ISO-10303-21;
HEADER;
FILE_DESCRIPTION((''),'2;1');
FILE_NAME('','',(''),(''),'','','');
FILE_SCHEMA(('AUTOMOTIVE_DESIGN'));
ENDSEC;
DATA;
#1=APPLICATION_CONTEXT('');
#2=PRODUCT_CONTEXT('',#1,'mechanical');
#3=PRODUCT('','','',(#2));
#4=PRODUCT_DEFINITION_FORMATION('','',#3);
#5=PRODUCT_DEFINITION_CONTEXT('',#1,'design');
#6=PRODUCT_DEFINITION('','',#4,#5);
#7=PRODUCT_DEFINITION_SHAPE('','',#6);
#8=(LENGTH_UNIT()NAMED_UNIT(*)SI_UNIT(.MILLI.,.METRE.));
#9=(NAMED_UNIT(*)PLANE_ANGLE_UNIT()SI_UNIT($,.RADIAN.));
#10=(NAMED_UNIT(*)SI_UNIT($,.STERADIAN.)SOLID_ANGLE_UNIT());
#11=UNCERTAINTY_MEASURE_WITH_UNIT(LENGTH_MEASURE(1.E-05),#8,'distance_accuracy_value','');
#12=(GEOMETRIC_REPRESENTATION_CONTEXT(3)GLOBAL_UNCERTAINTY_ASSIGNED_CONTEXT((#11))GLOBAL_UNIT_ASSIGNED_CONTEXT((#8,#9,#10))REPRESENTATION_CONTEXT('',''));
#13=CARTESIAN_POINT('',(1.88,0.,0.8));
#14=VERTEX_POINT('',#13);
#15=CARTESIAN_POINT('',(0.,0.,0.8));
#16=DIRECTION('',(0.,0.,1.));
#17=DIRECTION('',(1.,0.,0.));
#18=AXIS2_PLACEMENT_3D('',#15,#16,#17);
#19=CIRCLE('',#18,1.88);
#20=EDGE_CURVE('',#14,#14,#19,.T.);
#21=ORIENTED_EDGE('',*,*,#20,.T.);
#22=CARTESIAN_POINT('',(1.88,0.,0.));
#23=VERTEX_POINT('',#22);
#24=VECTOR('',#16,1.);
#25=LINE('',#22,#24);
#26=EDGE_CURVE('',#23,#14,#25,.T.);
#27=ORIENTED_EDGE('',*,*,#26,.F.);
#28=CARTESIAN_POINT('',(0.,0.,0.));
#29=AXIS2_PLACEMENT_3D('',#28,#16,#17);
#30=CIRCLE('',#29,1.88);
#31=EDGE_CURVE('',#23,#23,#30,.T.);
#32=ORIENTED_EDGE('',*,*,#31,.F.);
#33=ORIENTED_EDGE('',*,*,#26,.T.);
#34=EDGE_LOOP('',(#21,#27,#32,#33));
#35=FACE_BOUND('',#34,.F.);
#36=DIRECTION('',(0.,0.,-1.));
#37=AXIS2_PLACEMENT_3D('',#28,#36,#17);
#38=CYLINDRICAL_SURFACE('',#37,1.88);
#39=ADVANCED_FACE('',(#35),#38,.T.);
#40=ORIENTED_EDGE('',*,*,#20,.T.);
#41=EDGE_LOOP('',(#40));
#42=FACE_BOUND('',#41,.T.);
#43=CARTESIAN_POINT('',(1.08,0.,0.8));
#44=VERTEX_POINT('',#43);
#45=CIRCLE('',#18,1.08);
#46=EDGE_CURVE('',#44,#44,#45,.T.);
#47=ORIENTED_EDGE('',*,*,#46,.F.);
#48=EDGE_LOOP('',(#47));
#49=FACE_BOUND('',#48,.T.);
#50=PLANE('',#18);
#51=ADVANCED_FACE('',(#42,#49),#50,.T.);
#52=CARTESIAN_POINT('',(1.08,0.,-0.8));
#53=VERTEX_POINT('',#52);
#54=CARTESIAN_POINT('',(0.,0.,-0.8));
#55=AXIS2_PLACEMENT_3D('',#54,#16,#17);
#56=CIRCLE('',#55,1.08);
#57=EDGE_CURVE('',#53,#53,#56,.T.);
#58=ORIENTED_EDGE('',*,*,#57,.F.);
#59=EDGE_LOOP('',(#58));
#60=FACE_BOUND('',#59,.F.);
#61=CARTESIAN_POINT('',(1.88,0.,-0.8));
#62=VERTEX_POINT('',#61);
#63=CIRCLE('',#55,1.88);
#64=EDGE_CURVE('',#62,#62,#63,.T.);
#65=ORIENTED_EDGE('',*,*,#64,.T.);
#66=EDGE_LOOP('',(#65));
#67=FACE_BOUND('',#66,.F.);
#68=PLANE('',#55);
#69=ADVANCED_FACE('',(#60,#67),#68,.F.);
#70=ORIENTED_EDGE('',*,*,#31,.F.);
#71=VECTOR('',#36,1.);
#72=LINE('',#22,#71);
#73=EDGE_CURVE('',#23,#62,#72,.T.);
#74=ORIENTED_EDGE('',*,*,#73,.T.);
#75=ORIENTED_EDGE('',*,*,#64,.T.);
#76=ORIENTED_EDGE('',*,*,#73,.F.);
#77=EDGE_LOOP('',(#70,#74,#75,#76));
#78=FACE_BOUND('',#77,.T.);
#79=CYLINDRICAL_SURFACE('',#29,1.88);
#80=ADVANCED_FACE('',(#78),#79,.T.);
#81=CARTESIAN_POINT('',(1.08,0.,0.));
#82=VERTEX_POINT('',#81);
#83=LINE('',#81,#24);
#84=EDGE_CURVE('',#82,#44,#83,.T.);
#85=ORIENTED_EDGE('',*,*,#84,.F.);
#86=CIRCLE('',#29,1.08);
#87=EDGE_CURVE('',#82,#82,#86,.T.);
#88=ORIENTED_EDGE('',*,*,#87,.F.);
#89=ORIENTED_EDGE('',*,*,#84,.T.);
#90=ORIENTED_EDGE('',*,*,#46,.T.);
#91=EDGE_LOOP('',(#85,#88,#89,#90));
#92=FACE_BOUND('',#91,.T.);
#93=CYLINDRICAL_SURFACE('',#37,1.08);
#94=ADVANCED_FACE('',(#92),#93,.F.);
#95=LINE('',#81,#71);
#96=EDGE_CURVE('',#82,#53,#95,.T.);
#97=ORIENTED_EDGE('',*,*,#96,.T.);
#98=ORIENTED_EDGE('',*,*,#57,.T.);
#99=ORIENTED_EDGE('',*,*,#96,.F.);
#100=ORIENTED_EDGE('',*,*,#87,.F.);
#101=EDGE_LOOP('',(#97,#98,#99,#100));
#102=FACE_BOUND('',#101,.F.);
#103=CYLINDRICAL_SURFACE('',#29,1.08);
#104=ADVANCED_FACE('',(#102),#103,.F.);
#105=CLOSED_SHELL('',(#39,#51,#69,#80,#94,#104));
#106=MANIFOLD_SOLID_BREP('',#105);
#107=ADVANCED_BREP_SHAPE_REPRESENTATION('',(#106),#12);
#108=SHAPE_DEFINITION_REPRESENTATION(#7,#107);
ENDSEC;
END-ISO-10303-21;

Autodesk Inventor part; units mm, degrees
ref_plane "YZ Plane" through (0, 0, 0) normal (1, 0, 0) x (0, 1, 0)
ref_plane "XZ Plane" through (0, 0, 0) normal (0, 1, 0) x (-1, 0, 0)
ref_plane "XY Plane" through (0, 0, 0) normal (0, 0, 1) x (1, 0, 0)
sketch "Skizze1" plane through (0, 0, 0) normal (0, 0, 1) x (1, 0, 0)
  circle A0 centre (0, 0) radius 1.08
  circle A1 centre (0, 0) radius 1.88
  dimension "d0" = 2.16
  dimension "d1" = 3.76
extrude "Extrusion1" add sketch "Skizze1" along normal mid plane 1.6
properties part number "Nylon Abstandshalter 1.6mm D2.16" material "Nylon 6/6"
